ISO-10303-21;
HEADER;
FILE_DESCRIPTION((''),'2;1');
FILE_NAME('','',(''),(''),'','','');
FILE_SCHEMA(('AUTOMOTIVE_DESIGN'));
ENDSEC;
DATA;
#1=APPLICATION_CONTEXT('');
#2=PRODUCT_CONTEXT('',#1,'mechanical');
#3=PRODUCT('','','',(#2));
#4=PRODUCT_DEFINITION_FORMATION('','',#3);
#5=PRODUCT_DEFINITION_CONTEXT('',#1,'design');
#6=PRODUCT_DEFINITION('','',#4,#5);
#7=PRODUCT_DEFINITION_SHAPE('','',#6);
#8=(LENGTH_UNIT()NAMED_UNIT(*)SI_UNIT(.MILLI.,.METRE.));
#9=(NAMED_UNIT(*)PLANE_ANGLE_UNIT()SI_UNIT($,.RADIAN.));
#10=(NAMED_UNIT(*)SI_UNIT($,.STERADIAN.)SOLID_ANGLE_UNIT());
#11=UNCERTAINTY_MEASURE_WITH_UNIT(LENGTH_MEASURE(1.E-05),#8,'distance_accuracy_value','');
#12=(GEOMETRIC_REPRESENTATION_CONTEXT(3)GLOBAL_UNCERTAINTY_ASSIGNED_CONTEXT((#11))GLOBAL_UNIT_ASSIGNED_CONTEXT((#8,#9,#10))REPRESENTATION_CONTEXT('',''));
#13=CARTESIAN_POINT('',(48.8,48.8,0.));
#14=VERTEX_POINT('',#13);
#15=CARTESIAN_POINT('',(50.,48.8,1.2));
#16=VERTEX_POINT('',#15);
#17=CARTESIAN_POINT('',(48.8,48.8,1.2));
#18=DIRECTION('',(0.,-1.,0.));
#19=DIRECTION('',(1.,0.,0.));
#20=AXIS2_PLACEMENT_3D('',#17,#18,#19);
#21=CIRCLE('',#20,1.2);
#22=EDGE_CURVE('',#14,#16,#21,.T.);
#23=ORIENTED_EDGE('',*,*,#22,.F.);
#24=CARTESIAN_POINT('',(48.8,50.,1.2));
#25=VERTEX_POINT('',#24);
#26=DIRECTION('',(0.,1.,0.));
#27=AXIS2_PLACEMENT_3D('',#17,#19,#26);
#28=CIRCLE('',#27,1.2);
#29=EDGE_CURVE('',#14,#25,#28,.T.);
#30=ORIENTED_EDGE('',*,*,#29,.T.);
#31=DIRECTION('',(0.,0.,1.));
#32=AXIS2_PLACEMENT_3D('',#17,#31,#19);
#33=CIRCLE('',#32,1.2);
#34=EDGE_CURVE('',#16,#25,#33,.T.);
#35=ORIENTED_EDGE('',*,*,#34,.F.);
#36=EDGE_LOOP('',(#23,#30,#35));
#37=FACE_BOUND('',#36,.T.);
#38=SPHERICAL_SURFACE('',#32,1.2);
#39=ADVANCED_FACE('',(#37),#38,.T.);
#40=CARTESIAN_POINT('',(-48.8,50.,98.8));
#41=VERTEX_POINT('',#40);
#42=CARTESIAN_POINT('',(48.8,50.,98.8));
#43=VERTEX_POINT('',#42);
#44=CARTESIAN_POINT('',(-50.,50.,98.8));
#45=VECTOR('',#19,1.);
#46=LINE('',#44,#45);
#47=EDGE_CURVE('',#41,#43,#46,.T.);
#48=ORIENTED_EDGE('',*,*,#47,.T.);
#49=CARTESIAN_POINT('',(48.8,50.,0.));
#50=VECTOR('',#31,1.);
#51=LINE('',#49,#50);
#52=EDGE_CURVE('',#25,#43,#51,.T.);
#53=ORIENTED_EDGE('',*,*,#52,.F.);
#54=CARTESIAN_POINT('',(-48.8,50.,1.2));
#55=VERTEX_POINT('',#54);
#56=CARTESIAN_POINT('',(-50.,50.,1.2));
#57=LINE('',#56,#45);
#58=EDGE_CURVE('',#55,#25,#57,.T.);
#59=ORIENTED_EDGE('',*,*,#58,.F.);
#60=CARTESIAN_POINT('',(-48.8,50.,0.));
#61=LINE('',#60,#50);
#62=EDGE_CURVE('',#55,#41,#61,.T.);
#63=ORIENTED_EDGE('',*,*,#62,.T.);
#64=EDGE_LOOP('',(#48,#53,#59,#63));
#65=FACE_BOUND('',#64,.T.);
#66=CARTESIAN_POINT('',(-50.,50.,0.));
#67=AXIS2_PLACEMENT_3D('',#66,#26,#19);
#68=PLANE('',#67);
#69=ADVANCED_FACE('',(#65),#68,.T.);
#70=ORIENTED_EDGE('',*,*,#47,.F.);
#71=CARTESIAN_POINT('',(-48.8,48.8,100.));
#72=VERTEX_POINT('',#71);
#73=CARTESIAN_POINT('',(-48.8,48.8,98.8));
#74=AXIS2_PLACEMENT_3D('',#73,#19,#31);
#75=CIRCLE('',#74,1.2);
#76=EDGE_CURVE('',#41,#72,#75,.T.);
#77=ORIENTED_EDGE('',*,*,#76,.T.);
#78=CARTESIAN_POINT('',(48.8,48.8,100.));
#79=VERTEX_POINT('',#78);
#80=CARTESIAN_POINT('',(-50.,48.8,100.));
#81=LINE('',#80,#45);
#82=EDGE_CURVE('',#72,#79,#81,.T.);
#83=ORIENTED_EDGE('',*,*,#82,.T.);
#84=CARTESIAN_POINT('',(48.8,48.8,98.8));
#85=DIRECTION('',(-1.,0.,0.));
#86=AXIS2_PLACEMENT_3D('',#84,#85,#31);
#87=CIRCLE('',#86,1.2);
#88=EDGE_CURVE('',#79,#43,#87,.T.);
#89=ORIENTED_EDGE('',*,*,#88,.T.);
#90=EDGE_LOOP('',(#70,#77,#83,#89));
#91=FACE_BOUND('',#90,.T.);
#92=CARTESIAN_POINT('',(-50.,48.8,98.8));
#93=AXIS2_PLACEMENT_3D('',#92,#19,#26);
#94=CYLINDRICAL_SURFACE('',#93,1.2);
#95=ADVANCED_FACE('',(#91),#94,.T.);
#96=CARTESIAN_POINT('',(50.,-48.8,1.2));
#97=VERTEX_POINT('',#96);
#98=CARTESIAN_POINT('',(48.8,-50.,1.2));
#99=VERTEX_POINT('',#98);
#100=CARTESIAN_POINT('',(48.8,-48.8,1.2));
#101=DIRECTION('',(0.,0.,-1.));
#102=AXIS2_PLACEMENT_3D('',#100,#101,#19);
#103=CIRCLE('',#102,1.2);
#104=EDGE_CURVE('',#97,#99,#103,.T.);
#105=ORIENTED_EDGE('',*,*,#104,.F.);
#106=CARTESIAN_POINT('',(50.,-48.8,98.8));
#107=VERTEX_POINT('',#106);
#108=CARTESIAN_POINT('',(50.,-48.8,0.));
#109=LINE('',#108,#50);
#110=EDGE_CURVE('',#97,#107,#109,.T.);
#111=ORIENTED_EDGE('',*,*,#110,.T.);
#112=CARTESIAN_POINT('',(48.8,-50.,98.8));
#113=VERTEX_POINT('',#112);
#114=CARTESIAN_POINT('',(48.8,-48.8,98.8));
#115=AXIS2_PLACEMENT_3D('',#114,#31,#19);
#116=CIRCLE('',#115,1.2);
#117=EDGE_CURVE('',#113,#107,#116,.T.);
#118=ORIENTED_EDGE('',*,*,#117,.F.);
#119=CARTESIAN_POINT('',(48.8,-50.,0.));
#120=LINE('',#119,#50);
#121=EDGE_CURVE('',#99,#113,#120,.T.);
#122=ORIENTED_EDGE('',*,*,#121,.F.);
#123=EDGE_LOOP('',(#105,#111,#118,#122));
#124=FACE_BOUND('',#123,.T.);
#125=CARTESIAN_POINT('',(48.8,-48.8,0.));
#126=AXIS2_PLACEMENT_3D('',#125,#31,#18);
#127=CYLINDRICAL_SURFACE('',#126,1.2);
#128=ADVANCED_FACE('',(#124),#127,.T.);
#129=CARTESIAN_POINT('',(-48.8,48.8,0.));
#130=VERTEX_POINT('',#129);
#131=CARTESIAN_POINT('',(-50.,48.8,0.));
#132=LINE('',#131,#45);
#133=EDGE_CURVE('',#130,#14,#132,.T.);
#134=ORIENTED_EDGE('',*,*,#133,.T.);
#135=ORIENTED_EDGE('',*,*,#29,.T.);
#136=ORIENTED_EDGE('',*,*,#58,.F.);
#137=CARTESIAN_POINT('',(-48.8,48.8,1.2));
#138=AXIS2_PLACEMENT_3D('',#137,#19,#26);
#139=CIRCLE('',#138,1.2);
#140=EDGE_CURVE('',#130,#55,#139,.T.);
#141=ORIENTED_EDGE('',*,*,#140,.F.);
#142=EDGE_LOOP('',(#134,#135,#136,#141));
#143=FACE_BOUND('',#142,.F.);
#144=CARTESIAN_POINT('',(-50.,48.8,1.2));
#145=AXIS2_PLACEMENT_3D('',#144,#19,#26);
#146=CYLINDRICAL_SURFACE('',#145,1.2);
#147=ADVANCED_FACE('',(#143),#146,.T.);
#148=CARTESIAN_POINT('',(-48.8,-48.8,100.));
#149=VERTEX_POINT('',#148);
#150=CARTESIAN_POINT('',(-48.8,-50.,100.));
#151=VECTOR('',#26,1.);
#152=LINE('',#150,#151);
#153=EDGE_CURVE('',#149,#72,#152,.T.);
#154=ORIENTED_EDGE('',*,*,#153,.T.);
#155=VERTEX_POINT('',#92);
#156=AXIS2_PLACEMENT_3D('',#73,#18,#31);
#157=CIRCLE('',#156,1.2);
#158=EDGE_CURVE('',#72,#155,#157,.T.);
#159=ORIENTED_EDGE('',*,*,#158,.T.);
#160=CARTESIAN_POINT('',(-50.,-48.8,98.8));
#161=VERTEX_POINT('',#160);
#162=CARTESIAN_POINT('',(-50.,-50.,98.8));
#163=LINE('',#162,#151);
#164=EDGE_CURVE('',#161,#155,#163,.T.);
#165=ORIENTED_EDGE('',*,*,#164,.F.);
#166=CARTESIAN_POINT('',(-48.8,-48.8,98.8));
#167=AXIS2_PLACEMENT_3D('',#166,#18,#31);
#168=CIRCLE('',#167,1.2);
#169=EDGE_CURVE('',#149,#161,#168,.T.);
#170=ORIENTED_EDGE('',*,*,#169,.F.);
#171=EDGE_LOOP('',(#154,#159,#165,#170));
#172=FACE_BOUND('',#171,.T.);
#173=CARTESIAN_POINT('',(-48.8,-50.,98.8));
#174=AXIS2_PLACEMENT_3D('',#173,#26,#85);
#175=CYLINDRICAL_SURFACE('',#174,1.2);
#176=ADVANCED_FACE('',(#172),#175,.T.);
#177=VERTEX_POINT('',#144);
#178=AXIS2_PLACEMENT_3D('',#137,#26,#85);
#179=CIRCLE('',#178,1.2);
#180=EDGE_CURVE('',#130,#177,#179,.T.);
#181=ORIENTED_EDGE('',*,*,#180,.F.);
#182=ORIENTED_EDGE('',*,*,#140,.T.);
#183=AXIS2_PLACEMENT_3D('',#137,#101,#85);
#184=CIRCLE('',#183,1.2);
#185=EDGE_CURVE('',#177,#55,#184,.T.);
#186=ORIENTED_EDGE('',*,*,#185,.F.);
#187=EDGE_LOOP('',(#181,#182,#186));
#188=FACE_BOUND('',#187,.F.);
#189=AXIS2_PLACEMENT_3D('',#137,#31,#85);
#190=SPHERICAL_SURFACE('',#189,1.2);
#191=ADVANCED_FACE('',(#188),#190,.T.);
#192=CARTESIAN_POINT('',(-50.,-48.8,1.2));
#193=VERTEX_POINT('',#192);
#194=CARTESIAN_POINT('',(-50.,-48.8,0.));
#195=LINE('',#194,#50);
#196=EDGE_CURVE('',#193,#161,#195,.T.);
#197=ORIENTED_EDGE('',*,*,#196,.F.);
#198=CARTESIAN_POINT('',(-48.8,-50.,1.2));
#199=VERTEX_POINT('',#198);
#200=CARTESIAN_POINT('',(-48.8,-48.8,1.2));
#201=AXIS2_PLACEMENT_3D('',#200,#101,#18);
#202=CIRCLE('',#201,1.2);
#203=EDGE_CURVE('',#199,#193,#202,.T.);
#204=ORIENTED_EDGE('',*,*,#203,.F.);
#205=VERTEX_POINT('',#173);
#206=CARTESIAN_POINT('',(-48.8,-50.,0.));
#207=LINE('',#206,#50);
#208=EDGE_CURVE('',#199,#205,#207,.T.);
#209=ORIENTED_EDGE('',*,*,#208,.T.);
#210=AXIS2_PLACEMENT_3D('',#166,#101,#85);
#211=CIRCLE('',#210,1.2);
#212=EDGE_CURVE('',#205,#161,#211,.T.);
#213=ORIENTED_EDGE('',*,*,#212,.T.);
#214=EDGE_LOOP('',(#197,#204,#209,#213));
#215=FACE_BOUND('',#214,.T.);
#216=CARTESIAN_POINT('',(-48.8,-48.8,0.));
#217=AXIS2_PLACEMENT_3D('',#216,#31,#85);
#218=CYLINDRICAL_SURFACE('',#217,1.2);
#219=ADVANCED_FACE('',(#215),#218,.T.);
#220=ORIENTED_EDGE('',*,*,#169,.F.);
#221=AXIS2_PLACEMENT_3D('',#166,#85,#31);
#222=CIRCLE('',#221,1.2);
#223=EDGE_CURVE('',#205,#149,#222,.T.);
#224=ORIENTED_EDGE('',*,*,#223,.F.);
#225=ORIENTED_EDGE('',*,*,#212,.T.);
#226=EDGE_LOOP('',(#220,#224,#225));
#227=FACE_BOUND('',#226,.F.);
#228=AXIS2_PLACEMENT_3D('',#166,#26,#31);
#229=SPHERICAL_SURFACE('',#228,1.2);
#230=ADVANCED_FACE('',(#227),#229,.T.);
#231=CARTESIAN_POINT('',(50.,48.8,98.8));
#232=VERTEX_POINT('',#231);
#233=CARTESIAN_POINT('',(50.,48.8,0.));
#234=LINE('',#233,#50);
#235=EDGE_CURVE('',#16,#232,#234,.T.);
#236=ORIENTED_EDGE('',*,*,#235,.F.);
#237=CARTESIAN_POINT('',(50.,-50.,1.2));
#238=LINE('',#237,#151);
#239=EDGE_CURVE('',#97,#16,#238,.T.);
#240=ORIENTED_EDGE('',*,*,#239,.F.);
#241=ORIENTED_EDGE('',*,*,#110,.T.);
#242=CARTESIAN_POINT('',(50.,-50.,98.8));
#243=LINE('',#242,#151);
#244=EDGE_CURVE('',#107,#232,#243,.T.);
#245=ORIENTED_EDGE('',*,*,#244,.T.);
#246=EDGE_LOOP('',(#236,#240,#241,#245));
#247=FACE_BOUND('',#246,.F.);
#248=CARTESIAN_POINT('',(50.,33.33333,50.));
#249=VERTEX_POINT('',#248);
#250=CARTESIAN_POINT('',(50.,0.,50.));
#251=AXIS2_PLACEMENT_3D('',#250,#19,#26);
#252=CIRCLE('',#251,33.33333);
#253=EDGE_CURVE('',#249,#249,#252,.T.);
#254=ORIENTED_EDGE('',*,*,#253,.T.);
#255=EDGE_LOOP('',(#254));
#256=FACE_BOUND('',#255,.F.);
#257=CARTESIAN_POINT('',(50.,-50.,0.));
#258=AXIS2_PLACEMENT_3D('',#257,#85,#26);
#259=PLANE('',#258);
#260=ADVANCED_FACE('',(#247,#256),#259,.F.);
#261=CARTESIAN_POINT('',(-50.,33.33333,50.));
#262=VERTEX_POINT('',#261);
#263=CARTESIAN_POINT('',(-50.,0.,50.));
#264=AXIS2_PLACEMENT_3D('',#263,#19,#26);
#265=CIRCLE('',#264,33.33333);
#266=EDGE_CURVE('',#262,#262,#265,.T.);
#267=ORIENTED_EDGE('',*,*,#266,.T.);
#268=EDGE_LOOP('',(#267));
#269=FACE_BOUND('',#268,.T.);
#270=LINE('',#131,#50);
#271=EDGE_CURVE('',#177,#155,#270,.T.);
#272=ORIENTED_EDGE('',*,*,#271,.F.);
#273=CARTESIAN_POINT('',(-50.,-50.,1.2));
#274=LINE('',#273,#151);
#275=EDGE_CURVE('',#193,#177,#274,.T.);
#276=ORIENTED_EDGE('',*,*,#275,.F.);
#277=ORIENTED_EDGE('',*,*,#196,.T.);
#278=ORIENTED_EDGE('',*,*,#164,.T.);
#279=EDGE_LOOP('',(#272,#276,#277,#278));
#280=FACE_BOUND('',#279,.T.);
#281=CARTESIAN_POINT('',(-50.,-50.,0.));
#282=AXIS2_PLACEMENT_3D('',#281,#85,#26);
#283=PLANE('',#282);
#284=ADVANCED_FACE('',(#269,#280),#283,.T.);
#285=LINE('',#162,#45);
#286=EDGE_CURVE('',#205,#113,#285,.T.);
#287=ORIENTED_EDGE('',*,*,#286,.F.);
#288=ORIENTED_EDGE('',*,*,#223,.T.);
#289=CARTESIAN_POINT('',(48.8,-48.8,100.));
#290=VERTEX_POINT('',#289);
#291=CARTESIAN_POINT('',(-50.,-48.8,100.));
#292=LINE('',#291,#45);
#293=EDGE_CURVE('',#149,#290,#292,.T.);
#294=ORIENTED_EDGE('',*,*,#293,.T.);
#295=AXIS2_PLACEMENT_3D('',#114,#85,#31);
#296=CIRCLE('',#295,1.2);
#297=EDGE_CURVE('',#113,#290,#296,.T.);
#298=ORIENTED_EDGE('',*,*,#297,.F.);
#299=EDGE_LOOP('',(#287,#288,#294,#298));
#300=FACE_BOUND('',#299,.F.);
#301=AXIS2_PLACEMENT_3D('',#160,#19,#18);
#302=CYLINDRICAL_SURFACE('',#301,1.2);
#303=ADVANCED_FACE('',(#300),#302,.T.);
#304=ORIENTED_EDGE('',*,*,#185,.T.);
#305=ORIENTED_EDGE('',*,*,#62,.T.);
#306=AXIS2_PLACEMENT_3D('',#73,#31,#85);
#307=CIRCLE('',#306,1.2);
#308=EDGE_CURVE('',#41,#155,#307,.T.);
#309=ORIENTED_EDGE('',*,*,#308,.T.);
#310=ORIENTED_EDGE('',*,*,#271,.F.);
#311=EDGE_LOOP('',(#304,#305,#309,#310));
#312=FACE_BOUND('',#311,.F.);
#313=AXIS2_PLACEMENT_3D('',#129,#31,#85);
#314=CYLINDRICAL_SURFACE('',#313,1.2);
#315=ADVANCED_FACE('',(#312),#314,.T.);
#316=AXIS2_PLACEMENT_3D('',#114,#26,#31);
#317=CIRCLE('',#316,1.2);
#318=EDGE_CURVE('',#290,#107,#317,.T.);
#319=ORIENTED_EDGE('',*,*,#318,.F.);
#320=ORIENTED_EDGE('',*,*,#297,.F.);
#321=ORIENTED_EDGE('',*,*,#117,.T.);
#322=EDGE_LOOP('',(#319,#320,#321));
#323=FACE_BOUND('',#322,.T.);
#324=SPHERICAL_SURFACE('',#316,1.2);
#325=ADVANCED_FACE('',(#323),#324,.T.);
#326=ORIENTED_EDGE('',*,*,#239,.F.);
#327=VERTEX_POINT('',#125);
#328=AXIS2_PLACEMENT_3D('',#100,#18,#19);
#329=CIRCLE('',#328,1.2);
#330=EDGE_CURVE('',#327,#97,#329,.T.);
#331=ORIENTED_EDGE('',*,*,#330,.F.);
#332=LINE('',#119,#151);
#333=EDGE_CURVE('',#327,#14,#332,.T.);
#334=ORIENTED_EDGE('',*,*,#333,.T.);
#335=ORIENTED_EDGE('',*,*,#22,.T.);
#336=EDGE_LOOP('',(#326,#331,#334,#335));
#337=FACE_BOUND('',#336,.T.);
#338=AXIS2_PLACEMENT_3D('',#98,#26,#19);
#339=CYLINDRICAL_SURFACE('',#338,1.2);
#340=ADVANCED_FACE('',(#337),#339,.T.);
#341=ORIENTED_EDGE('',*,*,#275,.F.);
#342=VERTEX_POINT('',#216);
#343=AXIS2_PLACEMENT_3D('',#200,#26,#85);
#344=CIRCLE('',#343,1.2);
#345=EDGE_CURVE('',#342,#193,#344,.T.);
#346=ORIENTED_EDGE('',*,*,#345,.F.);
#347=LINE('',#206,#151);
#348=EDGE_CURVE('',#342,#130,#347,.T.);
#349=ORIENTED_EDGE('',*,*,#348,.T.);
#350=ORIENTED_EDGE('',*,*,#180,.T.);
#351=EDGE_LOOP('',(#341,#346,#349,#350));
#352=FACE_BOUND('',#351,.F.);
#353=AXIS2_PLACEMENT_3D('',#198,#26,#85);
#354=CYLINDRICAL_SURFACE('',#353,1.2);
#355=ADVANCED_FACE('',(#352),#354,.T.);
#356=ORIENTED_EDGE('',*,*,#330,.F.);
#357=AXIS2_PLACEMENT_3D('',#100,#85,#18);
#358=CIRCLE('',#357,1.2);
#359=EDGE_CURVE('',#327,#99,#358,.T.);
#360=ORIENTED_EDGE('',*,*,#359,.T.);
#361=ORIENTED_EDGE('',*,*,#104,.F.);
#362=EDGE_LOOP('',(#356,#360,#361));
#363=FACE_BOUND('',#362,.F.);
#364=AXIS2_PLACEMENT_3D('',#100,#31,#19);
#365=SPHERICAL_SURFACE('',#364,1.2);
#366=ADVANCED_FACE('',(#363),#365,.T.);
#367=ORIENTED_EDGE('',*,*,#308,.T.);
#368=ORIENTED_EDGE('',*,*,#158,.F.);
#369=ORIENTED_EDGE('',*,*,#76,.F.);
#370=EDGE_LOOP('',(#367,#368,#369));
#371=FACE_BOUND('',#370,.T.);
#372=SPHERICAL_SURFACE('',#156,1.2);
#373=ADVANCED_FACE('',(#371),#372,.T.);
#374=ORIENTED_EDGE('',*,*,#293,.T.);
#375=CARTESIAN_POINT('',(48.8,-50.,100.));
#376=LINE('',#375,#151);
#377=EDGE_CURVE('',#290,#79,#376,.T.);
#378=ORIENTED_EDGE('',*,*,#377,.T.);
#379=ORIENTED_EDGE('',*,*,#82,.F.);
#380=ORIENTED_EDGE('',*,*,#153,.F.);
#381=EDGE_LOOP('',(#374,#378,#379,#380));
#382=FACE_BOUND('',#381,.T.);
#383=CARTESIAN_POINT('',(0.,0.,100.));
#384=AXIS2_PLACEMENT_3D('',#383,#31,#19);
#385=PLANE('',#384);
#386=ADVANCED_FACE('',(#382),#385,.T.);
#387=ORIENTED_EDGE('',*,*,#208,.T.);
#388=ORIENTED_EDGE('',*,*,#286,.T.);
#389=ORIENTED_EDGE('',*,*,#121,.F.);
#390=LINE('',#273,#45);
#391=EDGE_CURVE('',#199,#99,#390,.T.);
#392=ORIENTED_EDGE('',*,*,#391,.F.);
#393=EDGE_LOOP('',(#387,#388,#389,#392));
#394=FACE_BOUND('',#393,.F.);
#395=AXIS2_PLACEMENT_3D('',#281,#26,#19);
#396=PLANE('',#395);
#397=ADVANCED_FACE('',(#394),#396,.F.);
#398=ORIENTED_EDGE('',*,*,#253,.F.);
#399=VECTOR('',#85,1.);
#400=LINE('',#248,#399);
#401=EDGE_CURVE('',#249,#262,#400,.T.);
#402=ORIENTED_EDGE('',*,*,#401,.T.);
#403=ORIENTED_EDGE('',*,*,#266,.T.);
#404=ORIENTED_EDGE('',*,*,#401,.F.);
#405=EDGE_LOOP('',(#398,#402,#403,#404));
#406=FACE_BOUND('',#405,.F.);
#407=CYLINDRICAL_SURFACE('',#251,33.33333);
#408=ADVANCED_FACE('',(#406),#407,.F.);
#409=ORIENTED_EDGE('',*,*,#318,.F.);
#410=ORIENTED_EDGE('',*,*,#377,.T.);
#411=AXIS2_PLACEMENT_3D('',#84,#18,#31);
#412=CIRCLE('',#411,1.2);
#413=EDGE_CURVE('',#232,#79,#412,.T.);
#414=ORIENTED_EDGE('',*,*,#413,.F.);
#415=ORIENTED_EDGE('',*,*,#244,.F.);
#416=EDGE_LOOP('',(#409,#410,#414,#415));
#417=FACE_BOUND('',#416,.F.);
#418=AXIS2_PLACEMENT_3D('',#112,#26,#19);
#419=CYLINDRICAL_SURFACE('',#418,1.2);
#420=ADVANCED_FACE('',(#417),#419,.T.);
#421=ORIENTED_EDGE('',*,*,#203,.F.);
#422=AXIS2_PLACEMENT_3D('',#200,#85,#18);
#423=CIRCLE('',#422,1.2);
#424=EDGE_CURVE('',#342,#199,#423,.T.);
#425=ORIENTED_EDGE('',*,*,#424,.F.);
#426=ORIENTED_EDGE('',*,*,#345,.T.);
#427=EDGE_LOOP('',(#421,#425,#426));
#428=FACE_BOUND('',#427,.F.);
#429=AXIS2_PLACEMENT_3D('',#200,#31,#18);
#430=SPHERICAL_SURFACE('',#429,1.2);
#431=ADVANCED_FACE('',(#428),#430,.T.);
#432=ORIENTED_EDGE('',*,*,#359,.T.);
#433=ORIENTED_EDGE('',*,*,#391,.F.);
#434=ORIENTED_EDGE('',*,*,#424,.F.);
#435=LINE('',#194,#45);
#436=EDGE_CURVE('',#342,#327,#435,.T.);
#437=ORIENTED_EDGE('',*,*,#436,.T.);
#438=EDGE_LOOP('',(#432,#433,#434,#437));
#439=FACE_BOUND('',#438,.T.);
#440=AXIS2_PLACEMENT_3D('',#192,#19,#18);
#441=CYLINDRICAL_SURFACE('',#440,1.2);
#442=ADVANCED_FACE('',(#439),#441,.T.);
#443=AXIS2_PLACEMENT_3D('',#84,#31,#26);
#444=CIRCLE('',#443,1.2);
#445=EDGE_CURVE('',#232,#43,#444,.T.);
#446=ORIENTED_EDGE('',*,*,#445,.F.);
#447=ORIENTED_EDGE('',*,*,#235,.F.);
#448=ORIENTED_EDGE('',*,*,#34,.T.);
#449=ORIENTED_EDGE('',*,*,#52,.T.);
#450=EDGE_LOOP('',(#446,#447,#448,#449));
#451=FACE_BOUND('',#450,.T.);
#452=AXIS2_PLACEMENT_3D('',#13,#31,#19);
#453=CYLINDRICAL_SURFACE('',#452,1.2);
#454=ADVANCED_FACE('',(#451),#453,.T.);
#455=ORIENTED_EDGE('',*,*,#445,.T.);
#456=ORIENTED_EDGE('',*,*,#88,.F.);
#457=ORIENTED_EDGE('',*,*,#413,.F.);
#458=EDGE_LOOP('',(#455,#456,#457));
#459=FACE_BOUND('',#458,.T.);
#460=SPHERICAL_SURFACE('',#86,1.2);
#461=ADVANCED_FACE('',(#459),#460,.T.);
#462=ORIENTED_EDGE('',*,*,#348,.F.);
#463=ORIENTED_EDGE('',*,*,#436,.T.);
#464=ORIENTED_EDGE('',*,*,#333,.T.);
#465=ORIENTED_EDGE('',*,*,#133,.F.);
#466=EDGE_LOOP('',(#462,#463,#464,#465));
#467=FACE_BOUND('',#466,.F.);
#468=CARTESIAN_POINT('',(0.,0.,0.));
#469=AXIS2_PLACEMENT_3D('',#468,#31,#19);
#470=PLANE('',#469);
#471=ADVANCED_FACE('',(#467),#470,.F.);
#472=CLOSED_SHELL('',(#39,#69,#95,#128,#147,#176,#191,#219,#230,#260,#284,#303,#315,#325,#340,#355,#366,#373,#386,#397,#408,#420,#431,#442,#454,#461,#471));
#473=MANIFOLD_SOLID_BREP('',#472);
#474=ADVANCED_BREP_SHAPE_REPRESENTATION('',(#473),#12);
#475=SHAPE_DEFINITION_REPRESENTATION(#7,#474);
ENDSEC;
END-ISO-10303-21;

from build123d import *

# Parameters (mm, degrees)
F0_W     = 100
F0_H     = 100
F1_DEPTH = 100
F3_R     = 1.2
F4_R     = 33.33333
F5_DEPTH = 100.001


with BuildPart() as f1:
    # F0 (on Top) → F1 (new body)
    with BuildSketch(Plane.XY):
        Rectangle(F0_W, F0_H)
    extrude(amount=F1_DEPTH)

    # F3
    f3_edges = [f1.edges().sort_by_distance(p)[0] for p in [
        (-50, 0, 100),
        (0, 50, 100),
        (50, 0, 100),
        (0, -50, 100),
        (-50, -50, 50),
        (-50, 50, 50),
        (50, -50, 50),
        (50, 50, 50),
        (50, 0, 0),
        (0, -50, 0),
        (-50, 0, 0),
        (0, 50, 0),
    ]]
    fillet(f3_edges, radius=F3_R)

    # F4 (on face) → F5 (cut, through all)
    with BuildSketch(Plane.YZ.offset(50)):
        with Locations((0, 50)):
            Circle(F4_R)
    extrude(amount=-F5_DEPTH, mode=Mode.SUBTRACT)


solid = f1.part
